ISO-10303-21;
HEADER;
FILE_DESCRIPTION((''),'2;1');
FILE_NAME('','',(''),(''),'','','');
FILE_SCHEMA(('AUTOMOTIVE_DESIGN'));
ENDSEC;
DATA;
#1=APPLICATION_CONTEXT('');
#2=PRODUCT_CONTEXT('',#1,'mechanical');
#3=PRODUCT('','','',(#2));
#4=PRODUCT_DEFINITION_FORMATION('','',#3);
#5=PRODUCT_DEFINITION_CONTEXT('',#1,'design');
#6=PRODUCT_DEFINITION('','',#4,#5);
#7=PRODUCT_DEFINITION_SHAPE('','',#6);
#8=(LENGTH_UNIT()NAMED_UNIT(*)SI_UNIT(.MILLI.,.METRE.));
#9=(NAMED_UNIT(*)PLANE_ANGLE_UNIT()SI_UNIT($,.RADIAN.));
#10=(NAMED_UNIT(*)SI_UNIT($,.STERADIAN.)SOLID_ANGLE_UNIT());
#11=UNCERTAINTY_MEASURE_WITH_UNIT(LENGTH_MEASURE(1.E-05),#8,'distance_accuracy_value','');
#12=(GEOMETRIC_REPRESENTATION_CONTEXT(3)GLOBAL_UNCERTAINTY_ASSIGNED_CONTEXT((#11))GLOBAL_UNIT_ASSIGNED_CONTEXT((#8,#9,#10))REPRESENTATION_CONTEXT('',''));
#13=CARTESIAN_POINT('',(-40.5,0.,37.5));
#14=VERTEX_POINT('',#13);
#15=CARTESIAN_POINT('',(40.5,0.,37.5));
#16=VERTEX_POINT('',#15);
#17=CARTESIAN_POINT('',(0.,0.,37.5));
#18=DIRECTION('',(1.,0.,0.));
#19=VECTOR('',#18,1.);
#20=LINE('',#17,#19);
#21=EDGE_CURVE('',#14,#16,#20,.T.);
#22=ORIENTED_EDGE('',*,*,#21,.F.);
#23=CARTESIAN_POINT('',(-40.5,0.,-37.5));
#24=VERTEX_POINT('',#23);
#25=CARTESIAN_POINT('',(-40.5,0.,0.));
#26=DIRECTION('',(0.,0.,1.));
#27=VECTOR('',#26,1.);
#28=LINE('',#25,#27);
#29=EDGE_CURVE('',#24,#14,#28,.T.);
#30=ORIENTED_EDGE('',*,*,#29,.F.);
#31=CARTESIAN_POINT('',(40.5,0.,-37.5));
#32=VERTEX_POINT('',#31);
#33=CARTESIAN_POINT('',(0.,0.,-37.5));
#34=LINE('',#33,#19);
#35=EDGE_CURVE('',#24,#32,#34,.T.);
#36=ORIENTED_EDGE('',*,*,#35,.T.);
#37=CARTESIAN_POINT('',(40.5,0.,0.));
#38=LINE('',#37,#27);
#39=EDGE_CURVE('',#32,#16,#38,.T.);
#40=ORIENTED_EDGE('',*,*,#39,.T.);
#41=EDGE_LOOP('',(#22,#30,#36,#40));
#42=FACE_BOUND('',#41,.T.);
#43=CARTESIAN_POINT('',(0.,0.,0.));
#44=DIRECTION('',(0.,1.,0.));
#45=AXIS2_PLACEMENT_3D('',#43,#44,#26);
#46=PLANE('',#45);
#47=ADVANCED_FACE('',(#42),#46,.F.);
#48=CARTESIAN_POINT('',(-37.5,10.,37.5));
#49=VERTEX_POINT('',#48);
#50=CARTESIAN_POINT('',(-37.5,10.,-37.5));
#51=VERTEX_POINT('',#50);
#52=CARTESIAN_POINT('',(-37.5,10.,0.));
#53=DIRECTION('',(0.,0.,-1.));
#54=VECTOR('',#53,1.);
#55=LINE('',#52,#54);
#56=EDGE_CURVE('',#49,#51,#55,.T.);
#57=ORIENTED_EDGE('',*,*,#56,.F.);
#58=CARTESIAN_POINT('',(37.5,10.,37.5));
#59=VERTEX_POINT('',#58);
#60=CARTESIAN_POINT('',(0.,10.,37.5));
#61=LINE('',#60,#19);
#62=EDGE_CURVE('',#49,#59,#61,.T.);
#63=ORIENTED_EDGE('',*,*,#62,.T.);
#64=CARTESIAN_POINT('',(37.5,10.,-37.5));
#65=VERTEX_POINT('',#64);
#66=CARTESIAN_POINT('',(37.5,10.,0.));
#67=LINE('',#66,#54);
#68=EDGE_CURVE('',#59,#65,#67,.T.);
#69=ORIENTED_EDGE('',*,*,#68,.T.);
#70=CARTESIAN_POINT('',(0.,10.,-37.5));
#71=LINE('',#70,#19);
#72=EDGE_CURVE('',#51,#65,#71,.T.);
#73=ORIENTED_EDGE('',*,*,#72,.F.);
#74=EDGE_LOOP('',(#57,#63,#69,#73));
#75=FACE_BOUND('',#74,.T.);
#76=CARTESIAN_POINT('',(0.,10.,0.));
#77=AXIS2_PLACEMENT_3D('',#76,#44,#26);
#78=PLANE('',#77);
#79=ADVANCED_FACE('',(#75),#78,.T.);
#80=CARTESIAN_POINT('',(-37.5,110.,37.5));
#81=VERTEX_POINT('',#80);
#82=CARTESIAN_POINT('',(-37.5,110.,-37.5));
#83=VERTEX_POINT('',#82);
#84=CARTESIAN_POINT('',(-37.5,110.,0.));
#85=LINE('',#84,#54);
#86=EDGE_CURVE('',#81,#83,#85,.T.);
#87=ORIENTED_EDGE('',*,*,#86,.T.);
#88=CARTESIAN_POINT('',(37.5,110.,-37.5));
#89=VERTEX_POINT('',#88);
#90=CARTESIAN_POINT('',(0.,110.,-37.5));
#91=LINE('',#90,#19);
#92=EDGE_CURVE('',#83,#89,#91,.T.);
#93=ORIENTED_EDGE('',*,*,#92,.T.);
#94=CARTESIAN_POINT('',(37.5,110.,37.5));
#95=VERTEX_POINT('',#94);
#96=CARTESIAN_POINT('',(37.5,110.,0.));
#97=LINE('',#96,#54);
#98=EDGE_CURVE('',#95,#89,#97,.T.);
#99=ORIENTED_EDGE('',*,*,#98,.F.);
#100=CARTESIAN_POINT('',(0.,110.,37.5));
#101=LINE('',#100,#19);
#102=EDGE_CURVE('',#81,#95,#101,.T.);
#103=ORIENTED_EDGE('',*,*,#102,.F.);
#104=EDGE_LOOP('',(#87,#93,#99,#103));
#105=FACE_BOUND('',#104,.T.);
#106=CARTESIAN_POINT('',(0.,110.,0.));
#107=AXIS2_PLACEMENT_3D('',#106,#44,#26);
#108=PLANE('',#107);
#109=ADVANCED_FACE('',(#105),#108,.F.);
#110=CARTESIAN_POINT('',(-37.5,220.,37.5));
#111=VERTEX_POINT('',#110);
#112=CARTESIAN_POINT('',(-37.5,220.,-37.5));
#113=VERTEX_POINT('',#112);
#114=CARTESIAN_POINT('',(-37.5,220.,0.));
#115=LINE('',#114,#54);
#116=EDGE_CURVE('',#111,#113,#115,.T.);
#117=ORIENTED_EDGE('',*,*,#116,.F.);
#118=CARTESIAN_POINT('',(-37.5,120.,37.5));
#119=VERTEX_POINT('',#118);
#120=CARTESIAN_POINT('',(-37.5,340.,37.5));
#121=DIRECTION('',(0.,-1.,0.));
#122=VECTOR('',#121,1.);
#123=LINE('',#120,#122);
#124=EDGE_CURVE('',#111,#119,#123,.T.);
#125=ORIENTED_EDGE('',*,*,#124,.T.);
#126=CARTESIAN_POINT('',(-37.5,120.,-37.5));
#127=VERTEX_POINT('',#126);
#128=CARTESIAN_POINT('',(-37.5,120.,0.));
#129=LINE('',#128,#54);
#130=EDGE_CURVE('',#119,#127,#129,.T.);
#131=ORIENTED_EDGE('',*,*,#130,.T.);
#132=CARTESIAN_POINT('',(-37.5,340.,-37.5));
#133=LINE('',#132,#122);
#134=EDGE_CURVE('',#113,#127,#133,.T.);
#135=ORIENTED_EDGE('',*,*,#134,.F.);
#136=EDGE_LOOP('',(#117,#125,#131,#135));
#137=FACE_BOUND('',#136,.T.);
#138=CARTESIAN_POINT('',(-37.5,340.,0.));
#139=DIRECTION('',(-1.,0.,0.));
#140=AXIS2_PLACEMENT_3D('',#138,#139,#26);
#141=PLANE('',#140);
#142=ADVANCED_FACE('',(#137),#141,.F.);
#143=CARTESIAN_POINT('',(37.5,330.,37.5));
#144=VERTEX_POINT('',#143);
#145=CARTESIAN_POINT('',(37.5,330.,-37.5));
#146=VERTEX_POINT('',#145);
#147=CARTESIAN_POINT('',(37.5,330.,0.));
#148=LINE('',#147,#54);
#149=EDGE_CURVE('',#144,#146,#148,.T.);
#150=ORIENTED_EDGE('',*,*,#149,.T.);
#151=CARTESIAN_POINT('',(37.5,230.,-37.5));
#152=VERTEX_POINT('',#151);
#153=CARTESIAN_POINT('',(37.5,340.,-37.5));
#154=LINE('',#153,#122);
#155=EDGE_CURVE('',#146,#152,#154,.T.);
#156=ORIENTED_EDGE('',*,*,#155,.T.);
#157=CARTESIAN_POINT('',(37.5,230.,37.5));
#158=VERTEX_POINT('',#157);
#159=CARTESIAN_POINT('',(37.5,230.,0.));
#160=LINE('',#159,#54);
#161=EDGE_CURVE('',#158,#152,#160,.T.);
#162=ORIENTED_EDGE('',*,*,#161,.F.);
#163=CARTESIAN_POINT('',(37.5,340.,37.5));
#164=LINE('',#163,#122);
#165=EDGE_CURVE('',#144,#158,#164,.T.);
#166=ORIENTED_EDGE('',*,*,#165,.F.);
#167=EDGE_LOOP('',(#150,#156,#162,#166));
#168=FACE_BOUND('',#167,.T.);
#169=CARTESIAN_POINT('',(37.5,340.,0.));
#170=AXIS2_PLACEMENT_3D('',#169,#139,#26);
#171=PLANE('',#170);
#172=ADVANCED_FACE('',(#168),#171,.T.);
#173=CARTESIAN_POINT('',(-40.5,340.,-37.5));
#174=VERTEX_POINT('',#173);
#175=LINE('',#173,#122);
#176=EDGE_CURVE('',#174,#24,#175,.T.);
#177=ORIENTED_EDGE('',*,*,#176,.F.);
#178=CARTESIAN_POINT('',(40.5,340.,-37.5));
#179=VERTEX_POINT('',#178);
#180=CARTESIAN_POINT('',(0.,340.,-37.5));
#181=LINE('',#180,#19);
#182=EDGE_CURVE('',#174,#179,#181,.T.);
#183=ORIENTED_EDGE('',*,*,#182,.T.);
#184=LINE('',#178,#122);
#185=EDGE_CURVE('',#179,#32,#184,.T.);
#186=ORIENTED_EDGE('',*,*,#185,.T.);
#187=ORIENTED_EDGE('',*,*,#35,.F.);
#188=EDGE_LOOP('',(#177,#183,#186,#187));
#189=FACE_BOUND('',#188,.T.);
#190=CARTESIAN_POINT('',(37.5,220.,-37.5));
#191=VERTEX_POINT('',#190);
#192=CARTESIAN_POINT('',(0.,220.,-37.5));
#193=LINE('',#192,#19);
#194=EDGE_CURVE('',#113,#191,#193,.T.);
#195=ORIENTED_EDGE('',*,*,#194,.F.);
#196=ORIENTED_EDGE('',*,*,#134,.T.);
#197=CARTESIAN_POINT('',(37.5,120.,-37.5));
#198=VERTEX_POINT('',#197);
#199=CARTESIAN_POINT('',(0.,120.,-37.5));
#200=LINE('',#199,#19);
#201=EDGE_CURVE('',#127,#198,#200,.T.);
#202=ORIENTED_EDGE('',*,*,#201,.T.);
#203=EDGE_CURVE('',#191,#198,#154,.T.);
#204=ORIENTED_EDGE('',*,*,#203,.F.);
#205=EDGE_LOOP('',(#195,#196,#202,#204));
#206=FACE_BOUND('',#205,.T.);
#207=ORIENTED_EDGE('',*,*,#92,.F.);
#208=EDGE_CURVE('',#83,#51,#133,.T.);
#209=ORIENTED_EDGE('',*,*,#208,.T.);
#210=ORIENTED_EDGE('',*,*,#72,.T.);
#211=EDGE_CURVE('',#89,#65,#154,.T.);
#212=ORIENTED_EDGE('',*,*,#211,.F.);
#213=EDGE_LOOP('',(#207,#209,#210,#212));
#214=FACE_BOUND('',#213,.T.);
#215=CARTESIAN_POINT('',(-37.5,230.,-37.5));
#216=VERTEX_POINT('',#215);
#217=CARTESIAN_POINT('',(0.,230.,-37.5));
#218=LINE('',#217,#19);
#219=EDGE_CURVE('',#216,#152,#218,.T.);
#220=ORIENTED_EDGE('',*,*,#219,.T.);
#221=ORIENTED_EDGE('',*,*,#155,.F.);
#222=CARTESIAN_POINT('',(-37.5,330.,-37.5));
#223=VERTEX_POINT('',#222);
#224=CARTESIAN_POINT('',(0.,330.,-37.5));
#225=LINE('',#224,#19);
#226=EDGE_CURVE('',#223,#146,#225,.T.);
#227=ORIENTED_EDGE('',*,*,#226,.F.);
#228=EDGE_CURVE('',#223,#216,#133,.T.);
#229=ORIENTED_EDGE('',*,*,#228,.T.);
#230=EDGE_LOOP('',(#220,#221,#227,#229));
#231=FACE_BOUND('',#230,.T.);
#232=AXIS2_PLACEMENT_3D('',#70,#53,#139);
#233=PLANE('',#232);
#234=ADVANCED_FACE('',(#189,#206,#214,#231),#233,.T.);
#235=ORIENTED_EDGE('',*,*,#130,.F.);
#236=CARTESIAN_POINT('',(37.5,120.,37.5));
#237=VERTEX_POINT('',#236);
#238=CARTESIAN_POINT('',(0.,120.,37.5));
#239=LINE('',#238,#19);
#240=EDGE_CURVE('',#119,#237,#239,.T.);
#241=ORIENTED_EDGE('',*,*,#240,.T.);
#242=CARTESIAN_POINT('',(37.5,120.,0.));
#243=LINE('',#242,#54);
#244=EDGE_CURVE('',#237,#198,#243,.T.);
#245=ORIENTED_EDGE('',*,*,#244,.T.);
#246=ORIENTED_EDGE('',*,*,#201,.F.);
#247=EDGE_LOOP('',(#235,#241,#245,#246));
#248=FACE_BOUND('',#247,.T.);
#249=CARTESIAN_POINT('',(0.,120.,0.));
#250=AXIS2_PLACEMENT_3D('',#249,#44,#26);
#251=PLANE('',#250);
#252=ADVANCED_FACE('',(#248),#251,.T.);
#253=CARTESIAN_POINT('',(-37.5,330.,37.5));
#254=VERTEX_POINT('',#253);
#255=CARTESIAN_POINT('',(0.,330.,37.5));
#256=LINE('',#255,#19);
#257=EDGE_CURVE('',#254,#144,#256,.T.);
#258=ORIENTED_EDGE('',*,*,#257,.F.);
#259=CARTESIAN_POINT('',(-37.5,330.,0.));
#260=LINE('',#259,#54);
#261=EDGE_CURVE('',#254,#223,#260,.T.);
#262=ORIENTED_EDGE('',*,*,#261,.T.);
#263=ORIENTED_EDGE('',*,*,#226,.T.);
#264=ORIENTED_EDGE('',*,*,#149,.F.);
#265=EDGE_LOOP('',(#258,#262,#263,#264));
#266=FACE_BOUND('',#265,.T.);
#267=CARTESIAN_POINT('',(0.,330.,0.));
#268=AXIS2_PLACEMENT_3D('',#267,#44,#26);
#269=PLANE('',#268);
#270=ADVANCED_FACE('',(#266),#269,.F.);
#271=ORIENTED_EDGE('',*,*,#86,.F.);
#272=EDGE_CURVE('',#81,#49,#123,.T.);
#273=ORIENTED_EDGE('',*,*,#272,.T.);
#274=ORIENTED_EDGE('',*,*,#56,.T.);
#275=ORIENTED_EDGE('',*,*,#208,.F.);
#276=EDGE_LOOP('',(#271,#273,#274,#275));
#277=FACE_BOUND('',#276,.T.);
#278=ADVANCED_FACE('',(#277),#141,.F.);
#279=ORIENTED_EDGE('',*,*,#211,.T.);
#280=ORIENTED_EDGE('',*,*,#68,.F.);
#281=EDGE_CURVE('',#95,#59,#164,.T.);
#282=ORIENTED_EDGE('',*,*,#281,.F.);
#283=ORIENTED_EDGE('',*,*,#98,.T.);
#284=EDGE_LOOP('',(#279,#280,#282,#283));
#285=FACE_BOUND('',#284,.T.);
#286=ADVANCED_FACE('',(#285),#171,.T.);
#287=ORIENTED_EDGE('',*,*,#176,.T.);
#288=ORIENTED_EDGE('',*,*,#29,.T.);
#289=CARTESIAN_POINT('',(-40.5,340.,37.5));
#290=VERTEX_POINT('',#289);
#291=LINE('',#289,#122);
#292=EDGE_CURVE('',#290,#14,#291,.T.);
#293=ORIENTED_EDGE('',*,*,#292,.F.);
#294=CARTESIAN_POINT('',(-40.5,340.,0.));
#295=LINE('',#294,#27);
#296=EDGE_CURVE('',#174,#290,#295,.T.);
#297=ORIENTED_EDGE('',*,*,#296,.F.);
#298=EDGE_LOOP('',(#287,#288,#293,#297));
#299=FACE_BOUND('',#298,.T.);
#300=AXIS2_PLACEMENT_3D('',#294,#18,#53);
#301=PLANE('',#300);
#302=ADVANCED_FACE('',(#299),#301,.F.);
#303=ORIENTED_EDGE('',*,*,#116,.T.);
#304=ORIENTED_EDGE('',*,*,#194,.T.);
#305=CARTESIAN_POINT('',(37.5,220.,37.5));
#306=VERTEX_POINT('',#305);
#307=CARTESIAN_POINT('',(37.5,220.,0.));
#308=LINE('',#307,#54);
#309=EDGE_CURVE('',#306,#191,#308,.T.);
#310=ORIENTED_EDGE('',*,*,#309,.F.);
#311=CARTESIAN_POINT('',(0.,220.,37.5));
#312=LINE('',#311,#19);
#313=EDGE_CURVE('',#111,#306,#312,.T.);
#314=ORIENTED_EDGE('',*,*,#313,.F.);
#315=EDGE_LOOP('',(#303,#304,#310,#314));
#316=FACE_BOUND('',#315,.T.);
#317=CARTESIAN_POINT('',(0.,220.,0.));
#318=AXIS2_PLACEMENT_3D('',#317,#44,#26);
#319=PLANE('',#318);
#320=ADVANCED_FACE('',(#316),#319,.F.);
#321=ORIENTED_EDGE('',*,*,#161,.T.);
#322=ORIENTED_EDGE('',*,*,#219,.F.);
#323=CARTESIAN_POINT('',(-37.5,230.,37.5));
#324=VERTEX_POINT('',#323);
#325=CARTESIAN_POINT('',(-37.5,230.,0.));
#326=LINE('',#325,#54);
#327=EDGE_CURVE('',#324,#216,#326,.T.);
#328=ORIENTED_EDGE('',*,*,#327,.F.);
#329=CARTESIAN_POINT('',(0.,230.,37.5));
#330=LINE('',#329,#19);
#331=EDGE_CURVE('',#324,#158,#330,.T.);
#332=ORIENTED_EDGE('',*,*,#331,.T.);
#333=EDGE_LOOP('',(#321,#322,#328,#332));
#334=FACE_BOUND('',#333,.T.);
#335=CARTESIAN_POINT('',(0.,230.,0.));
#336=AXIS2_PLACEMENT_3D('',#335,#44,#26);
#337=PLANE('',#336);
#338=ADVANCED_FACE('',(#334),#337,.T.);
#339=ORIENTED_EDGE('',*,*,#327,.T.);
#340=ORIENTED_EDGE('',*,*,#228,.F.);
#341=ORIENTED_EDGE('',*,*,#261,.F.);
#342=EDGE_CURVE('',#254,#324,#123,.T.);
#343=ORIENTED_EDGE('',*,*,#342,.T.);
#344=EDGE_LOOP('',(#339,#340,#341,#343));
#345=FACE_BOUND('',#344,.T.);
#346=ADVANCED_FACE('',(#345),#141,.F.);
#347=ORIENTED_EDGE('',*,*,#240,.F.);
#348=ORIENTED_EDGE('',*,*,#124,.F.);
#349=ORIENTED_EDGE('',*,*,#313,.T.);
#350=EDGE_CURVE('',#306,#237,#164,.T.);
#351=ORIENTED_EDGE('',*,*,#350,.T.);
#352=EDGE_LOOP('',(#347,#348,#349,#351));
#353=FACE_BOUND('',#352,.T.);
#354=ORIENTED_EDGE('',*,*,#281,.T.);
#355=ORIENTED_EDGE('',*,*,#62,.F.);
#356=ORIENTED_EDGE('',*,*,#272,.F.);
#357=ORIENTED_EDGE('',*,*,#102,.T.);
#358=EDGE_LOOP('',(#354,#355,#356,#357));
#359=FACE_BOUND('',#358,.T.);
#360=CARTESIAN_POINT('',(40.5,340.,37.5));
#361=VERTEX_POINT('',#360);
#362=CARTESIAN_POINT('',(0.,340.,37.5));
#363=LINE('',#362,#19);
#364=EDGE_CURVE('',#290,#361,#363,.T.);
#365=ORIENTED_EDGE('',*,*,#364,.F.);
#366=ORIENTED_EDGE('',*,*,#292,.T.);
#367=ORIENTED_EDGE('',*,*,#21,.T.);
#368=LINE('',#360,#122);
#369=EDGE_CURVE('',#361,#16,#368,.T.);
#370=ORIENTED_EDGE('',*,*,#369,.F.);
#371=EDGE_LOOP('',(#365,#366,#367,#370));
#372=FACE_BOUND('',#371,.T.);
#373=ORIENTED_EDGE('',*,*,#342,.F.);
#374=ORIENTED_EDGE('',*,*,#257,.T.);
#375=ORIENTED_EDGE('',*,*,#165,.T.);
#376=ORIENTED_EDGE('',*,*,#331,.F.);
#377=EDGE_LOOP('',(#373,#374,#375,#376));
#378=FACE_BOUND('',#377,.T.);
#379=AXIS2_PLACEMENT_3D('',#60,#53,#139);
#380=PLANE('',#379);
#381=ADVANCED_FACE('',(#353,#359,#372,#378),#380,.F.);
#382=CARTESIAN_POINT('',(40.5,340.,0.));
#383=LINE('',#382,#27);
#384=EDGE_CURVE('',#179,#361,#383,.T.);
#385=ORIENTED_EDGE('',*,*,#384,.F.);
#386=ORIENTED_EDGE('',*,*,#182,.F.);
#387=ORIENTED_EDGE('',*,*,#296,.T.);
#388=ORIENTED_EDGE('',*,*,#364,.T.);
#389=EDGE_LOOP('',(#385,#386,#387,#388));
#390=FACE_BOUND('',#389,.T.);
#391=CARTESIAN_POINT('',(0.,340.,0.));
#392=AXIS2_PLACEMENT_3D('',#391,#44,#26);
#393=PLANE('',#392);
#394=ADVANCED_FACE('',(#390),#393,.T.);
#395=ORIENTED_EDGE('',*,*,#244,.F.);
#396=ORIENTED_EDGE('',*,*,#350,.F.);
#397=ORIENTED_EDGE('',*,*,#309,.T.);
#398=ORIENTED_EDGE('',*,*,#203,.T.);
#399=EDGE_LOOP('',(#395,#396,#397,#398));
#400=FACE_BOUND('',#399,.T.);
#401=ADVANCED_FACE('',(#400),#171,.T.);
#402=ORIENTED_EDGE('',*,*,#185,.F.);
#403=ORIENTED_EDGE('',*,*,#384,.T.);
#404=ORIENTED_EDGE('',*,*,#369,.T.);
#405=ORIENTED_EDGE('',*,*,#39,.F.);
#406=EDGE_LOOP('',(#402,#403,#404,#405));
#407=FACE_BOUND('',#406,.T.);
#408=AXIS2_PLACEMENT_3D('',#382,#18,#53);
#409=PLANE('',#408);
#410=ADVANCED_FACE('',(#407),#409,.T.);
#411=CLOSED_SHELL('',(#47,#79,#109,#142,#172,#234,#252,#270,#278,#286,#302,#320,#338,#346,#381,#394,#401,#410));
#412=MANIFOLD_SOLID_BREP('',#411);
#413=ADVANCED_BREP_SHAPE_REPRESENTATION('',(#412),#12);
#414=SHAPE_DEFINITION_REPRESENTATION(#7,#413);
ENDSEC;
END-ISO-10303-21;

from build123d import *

# Parameters (mm, degrees)
SKETCH3_W           = 75
SKETCH3_H           = 75
BOSS_EXTRUDE2_DEPTH = 10
LPATTERN1_COUNT     = 4
LPATTERN1_PITCH     = 110
SKETCH3_5_W         = 3
SKETCH3_5_H         = 75
BOSS_EXTRUDE5_DEPTH = 340


with BuildPart() as part:
    # Sketch3 → Boss-Extrude2 (new body)
    with BuildSketch(Plane(origin=(0, 0, 0), x_dir=(1, 0, 0), z_dir=(0, 1, 0))):
        Rectangle(SKETCH3_W, SKETCH3_H)
    extrude(amount=BOSS_EXTRUDE2_DEPTH)


with BuildPart() as lpattern1_1:
    # LPattern1: pattern copy
    add(part.part.moved(Location(Vector(0, 1, 0) * (1 * LPATTERN1_PITCH))))


with BuildPart() as lpattern1_2:
    # LPattern1: pattern copy
    add(part.part.moved(Location(Vector(0, 1, 0) * (2 * LPATTERN1_PITCH))))


with BuildPart() as lpattern1_3:
    # LPattern1: pattern copy
    add(part.part.moved(Location(Vector(0, 1, 0) * (3 * LPATTERN1_PITCH))))


with BuildPart() as part_1:
    add(part.part)

    add(lpattern1_1.part)  # Boss-Extrude5 merges LPattern1_1

    add(lpattern1_2.part)  # Boss-Extrude5 merges LPattern1_2

    add(lpattern1_3.part)  # Boss-Extrude5 merges LPattern1_3
    # Sketch3<5> → Boss-Extrude5 (add)
    with BuildSketch(Plane(origin=(0, 0, 0), x_dir=(1, 0, 0), z_dir=(0, 1, 0))):
        with Locations((39, 0)):
            Rectangle(SKETCH3_5_W, SKETCH3_5_H)
        with Locations((-39, 0)):
            Rectangle(SKETCH3_5_W, SKETCH3_5_H)
    extrude(amount=BOSS_EXTRUDE5_DEPTH)


solid = part_1.part
